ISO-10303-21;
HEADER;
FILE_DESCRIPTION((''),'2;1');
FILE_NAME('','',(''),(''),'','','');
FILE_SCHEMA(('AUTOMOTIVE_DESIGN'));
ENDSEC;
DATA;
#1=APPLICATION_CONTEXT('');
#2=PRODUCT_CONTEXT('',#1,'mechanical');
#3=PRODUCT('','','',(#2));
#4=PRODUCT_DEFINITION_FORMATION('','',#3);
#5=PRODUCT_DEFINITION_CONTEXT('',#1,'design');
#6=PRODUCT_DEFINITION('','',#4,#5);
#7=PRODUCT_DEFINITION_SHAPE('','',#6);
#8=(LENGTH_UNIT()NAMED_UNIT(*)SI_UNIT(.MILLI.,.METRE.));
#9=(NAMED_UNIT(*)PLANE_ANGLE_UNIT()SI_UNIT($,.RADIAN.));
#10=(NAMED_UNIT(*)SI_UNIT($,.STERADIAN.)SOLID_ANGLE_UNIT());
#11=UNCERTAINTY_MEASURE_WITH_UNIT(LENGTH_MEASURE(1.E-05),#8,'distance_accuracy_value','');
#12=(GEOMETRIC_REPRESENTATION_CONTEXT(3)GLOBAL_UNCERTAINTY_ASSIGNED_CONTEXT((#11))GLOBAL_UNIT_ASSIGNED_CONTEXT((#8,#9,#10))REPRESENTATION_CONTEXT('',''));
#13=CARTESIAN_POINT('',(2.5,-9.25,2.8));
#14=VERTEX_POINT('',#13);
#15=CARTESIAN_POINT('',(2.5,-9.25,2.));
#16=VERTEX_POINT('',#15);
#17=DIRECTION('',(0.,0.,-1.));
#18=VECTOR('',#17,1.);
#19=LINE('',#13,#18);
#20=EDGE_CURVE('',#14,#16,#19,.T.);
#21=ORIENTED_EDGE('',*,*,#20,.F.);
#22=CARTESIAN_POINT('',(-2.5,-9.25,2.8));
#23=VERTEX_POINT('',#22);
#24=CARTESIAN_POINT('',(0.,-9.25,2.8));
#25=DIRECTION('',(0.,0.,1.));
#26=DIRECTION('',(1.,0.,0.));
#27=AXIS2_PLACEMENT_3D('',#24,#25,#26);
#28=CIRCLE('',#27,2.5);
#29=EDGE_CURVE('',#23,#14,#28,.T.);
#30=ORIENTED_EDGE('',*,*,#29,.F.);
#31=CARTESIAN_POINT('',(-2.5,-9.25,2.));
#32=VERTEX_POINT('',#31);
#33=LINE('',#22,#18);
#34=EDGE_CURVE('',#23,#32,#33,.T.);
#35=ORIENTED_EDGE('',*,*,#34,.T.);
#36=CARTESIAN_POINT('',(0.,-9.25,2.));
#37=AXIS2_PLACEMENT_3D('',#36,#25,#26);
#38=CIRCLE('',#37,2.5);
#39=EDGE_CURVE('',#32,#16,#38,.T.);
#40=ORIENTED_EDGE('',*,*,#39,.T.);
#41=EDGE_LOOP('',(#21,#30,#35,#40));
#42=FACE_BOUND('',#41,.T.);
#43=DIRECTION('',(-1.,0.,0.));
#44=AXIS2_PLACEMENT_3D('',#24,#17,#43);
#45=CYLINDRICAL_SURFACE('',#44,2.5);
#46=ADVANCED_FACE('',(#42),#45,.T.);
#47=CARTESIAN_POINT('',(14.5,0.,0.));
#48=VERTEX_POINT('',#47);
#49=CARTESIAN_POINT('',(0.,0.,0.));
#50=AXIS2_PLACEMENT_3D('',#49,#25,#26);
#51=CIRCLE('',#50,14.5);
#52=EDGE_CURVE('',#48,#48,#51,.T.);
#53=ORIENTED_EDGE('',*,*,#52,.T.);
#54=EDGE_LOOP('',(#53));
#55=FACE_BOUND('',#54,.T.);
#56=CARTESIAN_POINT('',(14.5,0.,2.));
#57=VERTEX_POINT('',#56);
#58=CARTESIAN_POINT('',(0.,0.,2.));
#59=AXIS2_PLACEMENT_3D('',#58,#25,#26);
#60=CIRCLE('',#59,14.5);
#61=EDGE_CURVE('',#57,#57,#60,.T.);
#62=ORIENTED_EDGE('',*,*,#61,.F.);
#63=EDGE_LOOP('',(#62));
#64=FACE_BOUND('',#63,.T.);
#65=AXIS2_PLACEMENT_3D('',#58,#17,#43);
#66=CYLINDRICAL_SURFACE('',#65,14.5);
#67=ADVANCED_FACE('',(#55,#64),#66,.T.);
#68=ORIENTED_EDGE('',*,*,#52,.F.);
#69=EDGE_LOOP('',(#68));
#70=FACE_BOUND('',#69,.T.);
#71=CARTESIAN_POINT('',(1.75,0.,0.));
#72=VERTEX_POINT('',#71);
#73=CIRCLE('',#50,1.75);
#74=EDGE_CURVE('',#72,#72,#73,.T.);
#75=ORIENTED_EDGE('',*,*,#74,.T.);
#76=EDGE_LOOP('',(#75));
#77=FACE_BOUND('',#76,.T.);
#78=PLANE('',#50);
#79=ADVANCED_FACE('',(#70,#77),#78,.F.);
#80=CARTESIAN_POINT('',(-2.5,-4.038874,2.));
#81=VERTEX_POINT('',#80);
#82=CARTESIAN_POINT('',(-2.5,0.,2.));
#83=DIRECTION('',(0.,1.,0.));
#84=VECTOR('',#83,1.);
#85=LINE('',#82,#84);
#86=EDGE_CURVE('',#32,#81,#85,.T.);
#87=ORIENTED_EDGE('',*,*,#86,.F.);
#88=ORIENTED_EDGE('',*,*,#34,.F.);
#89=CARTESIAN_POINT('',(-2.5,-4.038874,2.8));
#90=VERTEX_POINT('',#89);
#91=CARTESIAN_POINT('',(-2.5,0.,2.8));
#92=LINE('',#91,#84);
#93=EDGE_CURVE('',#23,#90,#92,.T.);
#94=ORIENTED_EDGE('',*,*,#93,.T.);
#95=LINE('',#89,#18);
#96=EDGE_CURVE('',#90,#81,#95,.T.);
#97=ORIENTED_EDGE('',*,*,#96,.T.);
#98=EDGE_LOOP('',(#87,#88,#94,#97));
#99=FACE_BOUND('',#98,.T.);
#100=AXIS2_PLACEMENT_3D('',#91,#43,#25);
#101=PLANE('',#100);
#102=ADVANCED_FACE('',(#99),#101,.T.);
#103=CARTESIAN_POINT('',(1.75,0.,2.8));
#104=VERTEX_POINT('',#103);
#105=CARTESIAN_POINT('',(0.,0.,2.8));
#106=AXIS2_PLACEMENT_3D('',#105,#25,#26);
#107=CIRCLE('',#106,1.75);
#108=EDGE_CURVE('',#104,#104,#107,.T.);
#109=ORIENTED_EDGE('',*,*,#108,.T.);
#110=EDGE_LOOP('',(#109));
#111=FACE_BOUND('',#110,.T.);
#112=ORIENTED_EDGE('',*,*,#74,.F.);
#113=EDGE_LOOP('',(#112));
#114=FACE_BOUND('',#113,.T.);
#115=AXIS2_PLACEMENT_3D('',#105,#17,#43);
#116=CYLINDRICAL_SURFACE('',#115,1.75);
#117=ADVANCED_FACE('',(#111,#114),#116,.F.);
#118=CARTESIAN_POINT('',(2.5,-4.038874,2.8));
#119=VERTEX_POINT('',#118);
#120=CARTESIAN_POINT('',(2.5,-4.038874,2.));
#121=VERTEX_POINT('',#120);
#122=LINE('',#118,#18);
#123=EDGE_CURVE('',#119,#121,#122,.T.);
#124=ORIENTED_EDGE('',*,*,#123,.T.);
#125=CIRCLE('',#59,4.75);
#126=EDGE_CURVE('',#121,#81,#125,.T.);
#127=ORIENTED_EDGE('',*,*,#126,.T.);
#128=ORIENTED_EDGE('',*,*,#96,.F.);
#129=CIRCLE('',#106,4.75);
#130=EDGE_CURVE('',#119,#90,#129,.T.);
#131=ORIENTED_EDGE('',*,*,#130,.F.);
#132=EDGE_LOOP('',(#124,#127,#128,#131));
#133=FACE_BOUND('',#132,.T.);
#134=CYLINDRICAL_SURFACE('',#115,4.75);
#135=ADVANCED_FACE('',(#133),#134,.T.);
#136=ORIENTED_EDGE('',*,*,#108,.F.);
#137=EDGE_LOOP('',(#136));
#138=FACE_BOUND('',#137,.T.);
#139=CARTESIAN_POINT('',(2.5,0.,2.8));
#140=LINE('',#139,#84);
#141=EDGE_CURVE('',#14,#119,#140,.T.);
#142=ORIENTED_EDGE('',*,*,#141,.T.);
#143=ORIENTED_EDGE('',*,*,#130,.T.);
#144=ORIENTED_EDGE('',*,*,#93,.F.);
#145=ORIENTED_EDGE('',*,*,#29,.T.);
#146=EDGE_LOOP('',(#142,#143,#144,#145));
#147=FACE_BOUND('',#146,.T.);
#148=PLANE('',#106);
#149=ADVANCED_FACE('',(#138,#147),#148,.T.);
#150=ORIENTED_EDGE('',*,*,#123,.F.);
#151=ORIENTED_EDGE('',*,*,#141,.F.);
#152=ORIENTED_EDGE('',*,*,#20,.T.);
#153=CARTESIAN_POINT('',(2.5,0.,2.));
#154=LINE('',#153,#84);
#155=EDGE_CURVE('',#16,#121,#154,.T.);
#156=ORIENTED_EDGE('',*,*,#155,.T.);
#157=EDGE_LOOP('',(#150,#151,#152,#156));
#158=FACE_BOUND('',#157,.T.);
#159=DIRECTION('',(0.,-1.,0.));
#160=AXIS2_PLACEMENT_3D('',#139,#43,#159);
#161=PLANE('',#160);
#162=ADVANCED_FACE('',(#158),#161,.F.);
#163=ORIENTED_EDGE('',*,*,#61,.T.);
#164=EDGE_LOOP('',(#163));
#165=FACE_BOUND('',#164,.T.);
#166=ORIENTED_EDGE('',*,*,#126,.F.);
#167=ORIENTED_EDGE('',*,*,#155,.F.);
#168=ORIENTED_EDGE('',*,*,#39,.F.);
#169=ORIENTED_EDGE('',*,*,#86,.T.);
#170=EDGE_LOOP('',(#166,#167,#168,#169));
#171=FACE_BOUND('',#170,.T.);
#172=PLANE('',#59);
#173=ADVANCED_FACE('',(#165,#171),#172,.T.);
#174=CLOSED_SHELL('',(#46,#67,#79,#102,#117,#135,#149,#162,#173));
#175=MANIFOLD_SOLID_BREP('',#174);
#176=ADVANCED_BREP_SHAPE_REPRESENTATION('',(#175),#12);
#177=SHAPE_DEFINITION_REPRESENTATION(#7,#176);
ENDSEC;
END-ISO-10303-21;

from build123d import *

# Parameters (mm, degrees)
SKETCH_1_R          = 14.5
EXTRUDE_1_DEPTH     = 2
EXTRUDE_START       = 2
EXTRUDE_2_DEPTH     = 0.8
SKETCH_1_4_R        = 1.75
CUT_EXTRUDE_1_DEPTH = 2.8


with BuildPart() as part:
    # Эскиз1 → Бобышка-Вытянуть1 (new body)
    with BuildSketch(Plane.XY):
        Circle(SKETCH_1_R)
    extrude(amount=EXTRUDE_1_DEPTH)

    # Эскиз1<3> → Бобышка-Вытянуть2 (add)
    with BuildSketch(Plane.XY.offset(EXTRUDE_START)):
        with BuildLine():
            Line((-2.5, -4.038873605), (-2.5, -9.25))
            ThreePointArc((-2.5, -9.25), (0, -11.75), (2.5, -9.25))
            Line((2.5, -9.25), (2.5, -4.038873605))
            ThreePointArc((2.5, -4.038873605), (0, 4.75), (-2.5, -4.038873605))
        make_face()
    extrude(amount=EXTRUDE_2_DEPTH)

    # Эскиз1<4> → Вырез-Вытянуть1 (cut)
    with BuildSketch(Plane.XY):
        Circle(SKETCH_1_4_R)
    extrude(amount=CUT_EXTRUDE_1_DEPTH, mode=Mode.SUBTRACT)


solid = part.part
